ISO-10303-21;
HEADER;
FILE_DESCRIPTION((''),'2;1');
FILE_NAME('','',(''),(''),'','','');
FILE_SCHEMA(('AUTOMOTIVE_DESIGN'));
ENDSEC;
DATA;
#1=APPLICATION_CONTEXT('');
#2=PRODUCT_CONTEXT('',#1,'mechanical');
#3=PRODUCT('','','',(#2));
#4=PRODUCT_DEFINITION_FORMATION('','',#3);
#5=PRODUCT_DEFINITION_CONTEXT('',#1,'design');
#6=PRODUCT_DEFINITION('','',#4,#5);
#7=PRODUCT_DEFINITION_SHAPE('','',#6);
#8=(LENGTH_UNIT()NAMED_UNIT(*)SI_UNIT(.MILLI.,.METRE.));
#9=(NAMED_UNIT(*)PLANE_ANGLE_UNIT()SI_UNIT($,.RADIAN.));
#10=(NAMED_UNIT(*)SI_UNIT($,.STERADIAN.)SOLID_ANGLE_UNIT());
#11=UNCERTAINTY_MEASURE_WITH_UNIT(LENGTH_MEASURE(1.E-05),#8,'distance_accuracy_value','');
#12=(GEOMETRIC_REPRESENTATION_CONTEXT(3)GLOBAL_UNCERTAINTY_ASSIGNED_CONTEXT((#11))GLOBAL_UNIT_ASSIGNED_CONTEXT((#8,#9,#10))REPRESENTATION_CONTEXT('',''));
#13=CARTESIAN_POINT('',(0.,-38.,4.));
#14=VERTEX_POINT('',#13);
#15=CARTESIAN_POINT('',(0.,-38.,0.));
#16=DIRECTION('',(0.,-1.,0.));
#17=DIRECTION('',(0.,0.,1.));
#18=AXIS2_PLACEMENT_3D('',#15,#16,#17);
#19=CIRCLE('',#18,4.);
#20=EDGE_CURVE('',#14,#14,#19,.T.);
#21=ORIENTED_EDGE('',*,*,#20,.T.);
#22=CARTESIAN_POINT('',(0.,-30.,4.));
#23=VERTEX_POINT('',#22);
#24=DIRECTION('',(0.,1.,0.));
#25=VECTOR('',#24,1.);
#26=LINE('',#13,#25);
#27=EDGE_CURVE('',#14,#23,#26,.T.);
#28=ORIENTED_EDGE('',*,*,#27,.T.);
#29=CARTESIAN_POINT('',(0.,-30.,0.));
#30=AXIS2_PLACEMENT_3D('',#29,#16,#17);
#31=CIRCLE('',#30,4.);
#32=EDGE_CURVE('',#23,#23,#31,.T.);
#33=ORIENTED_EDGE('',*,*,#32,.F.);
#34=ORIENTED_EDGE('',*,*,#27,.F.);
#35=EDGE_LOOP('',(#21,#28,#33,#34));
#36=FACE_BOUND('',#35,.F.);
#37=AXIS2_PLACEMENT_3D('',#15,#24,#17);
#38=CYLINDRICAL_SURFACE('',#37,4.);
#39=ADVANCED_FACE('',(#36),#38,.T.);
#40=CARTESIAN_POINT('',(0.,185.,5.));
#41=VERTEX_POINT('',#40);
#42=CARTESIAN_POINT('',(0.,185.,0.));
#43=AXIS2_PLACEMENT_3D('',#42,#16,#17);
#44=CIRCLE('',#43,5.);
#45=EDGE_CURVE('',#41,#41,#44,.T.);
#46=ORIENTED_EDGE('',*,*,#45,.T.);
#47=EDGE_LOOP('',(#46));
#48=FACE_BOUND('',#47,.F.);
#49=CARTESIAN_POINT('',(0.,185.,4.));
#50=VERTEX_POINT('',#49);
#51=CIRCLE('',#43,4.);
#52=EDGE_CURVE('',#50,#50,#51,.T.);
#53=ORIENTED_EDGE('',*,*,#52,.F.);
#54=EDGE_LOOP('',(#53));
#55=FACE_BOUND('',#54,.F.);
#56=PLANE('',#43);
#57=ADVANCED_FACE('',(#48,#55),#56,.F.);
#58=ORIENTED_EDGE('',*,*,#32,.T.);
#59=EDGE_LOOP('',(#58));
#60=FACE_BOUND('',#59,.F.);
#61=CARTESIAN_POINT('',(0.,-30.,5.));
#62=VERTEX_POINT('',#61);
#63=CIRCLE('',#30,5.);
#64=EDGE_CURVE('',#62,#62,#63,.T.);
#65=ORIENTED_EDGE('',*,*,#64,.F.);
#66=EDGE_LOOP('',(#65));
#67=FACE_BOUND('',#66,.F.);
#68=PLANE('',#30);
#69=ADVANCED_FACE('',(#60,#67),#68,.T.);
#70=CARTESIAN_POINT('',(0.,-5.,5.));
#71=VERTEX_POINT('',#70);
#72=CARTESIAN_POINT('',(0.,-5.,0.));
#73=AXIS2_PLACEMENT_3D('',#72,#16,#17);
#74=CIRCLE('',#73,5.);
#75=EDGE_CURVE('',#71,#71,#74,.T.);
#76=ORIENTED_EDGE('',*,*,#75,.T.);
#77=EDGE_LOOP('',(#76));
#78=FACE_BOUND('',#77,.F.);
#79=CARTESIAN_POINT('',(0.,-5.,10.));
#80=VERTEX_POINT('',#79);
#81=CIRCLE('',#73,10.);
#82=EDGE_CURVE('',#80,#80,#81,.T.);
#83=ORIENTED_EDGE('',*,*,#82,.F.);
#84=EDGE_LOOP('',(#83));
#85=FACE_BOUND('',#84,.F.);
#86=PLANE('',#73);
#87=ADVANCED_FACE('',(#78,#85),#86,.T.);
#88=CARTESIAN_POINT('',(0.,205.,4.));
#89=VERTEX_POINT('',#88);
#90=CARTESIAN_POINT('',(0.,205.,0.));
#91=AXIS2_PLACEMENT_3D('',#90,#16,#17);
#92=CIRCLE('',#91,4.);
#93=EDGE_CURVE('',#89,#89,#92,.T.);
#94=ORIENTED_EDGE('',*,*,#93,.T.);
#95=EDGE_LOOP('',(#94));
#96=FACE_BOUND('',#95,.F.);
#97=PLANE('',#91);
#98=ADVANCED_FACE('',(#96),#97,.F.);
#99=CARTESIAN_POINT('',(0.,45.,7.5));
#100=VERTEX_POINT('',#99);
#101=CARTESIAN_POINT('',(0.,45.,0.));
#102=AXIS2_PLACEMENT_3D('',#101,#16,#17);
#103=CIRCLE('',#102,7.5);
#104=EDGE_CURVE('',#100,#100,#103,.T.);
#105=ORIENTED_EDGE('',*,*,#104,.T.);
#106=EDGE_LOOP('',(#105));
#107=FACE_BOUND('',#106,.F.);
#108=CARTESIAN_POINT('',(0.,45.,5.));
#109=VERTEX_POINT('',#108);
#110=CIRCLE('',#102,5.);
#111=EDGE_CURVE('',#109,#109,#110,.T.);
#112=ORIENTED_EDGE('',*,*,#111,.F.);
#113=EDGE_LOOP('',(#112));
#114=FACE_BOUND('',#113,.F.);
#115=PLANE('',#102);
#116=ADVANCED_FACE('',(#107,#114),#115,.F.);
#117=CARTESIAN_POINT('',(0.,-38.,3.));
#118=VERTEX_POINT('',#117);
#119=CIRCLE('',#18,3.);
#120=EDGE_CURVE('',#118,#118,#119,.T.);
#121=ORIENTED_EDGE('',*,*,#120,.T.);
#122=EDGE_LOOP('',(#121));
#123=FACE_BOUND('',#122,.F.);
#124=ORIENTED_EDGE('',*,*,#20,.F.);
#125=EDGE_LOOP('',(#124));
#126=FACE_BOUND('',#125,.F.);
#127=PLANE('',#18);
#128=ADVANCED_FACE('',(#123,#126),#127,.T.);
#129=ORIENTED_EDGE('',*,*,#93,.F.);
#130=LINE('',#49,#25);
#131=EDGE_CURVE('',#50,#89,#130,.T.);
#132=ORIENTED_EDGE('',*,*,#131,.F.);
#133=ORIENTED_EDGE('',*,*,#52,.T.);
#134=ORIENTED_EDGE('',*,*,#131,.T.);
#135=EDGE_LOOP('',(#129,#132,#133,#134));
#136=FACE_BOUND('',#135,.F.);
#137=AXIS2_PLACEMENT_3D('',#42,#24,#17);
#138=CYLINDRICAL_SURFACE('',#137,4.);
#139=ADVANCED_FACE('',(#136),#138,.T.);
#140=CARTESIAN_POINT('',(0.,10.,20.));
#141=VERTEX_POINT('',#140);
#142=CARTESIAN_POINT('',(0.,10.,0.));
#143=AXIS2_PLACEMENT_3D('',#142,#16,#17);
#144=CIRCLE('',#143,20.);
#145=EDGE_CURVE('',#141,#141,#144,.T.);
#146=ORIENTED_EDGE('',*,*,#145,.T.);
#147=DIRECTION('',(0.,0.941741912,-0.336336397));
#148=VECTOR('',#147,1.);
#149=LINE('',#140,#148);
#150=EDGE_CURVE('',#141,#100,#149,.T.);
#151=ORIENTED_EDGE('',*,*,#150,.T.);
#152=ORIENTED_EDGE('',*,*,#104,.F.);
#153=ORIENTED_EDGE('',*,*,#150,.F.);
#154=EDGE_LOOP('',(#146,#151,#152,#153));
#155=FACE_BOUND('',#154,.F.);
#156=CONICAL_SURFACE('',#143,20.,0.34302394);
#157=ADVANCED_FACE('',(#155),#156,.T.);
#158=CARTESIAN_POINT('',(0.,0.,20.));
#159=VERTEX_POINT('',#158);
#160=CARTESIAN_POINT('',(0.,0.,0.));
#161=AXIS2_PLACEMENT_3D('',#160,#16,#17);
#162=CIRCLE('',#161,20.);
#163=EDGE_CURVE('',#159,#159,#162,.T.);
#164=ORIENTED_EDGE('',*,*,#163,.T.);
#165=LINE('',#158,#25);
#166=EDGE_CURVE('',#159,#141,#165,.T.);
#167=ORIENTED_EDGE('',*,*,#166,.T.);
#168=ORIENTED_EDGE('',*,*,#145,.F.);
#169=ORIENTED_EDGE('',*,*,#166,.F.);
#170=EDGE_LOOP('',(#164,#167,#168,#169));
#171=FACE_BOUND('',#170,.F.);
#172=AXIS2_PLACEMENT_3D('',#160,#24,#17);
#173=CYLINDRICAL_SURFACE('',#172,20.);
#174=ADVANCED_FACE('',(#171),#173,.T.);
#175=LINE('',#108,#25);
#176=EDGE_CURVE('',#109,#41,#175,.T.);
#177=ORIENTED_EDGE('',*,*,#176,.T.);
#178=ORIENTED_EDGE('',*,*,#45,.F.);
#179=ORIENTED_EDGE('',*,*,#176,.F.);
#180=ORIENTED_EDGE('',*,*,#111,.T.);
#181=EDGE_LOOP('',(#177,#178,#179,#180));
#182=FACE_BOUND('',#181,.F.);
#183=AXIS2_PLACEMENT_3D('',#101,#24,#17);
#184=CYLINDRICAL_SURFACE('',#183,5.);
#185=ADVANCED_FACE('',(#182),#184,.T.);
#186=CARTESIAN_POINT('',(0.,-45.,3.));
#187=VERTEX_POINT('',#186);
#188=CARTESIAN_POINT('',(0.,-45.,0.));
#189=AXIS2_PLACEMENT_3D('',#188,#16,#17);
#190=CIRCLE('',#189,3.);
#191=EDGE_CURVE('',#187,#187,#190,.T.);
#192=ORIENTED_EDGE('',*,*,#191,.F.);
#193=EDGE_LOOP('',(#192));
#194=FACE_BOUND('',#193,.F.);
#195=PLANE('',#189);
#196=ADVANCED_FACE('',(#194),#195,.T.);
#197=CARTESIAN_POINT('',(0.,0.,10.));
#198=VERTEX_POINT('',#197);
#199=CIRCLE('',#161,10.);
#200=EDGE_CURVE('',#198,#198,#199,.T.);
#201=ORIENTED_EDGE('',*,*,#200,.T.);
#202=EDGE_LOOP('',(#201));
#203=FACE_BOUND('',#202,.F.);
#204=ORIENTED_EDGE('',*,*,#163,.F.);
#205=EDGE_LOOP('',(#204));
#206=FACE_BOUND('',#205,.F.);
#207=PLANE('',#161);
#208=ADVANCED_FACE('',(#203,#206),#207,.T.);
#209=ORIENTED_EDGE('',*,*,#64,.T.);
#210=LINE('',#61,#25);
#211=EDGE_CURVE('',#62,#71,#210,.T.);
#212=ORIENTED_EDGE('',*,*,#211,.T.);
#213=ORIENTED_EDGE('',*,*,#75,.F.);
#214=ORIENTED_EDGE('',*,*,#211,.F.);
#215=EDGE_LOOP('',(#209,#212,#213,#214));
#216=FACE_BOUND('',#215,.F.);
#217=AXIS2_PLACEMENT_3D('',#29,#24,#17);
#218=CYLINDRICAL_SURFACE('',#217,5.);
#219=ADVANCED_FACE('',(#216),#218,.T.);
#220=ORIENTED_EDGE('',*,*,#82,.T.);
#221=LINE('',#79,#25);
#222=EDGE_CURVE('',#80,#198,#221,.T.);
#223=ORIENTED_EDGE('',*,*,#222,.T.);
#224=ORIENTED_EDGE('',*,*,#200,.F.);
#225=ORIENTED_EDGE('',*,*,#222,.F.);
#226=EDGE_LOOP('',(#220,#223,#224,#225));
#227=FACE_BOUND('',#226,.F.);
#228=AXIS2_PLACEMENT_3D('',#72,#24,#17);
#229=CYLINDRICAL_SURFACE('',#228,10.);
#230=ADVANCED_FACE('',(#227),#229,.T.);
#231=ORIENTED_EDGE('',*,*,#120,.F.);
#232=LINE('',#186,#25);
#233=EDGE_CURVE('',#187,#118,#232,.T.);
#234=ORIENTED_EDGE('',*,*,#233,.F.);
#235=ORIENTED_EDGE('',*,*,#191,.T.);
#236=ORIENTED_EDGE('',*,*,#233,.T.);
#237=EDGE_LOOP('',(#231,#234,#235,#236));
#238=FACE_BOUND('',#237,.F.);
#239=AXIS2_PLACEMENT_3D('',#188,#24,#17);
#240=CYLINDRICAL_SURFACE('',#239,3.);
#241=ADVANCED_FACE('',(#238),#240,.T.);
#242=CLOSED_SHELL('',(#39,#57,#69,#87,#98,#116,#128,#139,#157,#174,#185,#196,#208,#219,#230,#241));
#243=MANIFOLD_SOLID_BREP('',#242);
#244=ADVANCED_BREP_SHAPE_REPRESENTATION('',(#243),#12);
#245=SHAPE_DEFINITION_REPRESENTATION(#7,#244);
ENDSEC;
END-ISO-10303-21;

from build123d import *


with BuildPart() as part:
    # Sketch1 → Revolve3 (revolve)
    with BuildSketch(Plane.XY, mode=Mode.PRIVATE) as revolve3_sk:
        Polygon((10, 0), (20, 0), (20, 10), (7.5, 45), (5, 45), (5, 185), (4, 185), (4, 205), (0, 205), (0, -45), (3, -45), (3, -38), (4, -38), (4, -30), (5, -30), (5, -5), (10, -5), align=None)
    revolve(revolve3_sk.sketch.rotate(Axis((0, 266.57973029, 0), (0, -1, 0)), 90), axis=Axis((0, 266.57973029, 0), (0, -1, 0)))  # turned: the seam where the file's is


solid = part.part
